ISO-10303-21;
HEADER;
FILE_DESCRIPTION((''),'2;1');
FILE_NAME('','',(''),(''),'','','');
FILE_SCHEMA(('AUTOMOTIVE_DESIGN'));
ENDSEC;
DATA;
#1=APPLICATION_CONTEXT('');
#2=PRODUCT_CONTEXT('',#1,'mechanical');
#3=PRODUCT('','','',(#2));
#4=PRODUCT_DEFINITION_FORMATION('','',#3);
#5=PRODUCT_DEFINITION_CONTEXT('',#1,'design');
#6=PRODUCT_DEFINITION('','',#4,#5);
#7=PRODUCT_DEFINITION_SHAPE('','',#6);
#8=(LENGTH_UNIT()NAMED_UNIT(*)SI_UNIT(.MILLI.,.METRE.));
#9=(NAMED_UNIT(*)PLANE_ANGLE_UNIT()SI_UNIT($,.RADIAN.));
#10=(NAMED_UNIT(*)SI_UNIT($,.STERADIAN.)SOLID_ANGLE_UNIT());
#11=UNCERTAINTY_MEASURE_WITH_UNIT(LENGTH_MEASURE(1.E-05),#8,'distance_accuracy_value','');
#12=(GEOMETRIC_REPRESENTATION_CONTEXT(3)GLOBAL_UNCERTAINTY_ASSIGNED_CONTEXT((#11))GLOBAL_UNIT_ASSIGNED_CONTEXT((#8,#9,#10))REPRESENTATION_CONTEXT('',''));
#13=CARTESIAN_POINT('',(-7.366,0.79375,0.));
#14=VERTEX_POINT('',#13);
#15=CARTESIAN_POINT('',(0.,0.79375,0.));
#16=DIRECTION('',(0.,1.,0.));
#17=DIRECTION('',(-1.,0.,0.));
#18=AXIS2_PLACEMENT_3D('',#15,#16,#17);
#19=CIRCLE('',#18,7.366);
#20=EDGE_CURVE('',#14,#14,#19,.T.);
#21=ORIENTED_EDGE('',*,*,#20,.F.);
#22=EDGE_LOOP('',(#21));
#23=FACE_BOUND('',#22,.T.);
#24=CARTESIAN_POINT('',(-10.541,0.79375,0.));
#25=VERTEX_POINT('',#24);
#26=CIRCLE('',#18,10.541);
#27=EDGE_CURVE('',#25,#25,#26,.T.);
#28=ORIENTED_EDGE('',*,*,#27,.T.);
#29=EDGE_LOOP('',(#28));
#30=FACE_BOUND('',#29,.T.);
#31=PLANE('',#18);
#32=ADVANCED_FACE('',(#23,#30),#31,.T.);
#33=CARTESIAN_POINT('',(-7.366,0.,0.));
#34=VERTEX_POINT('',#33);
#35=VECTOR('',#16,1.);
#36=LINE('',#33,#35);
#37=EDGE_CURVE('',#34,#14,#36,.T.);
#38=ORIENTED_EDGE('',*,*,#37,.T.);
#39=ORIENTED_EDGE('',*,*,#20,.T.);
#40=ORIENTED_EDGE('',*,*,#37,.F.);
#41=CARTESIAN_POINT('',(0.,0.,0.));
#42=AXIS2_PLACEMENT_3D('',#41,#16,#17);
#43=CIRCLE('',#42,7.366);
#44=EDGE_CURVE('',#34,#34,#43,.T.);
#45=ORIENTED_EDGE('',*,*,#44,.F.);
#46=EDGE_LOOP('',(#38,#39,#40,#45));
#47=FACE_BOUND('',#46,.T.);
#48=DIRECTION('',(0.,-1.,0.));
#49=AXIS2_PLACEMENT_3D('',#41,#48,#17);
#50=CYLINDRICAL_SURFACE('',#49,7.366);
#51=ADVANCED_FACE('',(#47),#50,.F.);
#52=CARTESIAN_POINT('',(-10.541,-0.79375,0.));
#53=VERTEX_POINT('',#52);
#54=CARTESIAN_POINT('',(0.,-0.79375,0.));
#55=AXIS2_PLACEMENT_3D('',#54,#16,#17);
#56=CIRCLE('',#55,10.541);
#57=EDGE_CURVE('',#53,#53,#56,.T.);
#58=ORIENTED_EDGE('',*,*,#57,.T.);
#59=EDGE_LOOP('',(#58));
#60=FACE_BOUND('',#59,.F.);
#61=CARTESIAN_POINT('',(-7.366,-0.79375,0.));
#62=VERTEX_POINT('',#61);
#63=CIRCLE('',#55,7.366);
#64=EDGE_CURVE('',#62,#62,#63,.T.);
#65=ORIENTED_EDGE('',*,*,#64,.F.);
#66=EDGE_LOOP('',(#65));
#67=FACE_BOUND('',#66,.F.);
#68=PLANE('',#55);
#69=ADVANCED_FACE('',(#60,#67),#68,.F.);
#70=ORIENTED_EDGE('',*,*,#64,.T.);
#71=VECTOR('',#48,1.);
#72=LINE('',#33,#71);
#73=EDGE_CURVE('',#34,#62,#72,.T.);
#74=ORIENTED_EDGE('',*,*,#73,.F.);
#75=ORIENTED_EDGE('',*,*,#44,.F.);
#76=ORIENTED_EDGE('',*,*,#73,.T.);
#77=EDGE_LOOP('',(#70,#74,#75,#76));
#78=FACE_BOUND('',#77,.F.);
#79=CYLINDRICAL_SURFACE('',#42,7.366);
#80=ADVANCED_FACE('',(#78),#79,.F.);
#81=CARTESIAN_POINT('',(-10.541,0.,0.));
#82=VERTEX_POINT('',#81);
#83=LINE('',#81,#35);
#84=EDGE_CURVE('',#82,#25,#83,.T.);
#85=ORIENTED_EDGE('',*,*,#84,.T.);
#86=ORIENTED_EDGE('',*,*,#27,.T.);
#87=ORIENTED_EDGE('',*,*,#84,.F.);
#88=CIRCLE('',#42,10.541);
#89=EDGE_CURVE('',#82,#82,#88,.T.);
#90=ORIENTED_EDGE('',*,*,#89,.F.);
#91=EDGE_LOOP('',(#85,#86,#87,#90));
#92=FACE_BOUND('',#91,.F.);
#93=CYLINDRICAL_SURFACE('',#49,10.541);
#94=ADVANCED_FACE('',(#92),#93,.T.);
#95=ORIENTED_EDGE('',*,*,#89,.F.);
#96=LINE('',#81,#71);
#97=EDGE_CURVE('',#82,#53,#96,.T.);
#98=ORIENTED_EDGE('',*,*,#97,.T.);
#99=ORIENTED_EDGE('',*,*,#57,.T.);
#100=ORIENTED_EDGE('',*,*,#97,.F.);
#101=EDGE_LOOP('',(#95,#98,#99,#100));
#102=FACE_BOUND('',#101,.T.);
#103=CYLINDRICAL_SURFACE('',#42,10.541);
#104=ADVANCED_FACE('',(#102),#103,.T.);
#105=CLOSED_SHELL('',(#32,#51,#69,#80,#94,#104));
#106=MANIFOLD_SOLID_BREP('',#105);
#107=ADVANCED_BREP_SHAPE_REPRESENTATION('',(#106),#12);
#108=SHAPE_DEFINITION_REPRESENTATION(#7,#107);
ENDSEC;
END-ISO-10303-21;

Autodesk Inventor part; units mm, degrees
ref_plane "YZ Plane" through (0, 0, 0) normal (1, 0, 0) x (0, 1, 0)
ref_plane "XZ Plane" through (0, 0, 0) normal (0, 1, 0) x (-1, 0, 0)
ref_plane "XY Plane" through (0, 0, 0) normal (0, 0, 1) x (1, 0, 0)
sketch "Sketch1" plane through (0, 0, 0) normal (0, 1, 0) x (-1, 0, 0)
  circle A0 centre (0, 0) radius 7.366
  circle A1 centre (0, 0) radius 10.541
  dimension "d0" = 14.732
  dimension "d1" = 3.175
extrude "Extrusion1" add sketch "Sketch1" along normal mid plane 1.5875
properties part number "CL-S-007" material "ABS Plastic"
